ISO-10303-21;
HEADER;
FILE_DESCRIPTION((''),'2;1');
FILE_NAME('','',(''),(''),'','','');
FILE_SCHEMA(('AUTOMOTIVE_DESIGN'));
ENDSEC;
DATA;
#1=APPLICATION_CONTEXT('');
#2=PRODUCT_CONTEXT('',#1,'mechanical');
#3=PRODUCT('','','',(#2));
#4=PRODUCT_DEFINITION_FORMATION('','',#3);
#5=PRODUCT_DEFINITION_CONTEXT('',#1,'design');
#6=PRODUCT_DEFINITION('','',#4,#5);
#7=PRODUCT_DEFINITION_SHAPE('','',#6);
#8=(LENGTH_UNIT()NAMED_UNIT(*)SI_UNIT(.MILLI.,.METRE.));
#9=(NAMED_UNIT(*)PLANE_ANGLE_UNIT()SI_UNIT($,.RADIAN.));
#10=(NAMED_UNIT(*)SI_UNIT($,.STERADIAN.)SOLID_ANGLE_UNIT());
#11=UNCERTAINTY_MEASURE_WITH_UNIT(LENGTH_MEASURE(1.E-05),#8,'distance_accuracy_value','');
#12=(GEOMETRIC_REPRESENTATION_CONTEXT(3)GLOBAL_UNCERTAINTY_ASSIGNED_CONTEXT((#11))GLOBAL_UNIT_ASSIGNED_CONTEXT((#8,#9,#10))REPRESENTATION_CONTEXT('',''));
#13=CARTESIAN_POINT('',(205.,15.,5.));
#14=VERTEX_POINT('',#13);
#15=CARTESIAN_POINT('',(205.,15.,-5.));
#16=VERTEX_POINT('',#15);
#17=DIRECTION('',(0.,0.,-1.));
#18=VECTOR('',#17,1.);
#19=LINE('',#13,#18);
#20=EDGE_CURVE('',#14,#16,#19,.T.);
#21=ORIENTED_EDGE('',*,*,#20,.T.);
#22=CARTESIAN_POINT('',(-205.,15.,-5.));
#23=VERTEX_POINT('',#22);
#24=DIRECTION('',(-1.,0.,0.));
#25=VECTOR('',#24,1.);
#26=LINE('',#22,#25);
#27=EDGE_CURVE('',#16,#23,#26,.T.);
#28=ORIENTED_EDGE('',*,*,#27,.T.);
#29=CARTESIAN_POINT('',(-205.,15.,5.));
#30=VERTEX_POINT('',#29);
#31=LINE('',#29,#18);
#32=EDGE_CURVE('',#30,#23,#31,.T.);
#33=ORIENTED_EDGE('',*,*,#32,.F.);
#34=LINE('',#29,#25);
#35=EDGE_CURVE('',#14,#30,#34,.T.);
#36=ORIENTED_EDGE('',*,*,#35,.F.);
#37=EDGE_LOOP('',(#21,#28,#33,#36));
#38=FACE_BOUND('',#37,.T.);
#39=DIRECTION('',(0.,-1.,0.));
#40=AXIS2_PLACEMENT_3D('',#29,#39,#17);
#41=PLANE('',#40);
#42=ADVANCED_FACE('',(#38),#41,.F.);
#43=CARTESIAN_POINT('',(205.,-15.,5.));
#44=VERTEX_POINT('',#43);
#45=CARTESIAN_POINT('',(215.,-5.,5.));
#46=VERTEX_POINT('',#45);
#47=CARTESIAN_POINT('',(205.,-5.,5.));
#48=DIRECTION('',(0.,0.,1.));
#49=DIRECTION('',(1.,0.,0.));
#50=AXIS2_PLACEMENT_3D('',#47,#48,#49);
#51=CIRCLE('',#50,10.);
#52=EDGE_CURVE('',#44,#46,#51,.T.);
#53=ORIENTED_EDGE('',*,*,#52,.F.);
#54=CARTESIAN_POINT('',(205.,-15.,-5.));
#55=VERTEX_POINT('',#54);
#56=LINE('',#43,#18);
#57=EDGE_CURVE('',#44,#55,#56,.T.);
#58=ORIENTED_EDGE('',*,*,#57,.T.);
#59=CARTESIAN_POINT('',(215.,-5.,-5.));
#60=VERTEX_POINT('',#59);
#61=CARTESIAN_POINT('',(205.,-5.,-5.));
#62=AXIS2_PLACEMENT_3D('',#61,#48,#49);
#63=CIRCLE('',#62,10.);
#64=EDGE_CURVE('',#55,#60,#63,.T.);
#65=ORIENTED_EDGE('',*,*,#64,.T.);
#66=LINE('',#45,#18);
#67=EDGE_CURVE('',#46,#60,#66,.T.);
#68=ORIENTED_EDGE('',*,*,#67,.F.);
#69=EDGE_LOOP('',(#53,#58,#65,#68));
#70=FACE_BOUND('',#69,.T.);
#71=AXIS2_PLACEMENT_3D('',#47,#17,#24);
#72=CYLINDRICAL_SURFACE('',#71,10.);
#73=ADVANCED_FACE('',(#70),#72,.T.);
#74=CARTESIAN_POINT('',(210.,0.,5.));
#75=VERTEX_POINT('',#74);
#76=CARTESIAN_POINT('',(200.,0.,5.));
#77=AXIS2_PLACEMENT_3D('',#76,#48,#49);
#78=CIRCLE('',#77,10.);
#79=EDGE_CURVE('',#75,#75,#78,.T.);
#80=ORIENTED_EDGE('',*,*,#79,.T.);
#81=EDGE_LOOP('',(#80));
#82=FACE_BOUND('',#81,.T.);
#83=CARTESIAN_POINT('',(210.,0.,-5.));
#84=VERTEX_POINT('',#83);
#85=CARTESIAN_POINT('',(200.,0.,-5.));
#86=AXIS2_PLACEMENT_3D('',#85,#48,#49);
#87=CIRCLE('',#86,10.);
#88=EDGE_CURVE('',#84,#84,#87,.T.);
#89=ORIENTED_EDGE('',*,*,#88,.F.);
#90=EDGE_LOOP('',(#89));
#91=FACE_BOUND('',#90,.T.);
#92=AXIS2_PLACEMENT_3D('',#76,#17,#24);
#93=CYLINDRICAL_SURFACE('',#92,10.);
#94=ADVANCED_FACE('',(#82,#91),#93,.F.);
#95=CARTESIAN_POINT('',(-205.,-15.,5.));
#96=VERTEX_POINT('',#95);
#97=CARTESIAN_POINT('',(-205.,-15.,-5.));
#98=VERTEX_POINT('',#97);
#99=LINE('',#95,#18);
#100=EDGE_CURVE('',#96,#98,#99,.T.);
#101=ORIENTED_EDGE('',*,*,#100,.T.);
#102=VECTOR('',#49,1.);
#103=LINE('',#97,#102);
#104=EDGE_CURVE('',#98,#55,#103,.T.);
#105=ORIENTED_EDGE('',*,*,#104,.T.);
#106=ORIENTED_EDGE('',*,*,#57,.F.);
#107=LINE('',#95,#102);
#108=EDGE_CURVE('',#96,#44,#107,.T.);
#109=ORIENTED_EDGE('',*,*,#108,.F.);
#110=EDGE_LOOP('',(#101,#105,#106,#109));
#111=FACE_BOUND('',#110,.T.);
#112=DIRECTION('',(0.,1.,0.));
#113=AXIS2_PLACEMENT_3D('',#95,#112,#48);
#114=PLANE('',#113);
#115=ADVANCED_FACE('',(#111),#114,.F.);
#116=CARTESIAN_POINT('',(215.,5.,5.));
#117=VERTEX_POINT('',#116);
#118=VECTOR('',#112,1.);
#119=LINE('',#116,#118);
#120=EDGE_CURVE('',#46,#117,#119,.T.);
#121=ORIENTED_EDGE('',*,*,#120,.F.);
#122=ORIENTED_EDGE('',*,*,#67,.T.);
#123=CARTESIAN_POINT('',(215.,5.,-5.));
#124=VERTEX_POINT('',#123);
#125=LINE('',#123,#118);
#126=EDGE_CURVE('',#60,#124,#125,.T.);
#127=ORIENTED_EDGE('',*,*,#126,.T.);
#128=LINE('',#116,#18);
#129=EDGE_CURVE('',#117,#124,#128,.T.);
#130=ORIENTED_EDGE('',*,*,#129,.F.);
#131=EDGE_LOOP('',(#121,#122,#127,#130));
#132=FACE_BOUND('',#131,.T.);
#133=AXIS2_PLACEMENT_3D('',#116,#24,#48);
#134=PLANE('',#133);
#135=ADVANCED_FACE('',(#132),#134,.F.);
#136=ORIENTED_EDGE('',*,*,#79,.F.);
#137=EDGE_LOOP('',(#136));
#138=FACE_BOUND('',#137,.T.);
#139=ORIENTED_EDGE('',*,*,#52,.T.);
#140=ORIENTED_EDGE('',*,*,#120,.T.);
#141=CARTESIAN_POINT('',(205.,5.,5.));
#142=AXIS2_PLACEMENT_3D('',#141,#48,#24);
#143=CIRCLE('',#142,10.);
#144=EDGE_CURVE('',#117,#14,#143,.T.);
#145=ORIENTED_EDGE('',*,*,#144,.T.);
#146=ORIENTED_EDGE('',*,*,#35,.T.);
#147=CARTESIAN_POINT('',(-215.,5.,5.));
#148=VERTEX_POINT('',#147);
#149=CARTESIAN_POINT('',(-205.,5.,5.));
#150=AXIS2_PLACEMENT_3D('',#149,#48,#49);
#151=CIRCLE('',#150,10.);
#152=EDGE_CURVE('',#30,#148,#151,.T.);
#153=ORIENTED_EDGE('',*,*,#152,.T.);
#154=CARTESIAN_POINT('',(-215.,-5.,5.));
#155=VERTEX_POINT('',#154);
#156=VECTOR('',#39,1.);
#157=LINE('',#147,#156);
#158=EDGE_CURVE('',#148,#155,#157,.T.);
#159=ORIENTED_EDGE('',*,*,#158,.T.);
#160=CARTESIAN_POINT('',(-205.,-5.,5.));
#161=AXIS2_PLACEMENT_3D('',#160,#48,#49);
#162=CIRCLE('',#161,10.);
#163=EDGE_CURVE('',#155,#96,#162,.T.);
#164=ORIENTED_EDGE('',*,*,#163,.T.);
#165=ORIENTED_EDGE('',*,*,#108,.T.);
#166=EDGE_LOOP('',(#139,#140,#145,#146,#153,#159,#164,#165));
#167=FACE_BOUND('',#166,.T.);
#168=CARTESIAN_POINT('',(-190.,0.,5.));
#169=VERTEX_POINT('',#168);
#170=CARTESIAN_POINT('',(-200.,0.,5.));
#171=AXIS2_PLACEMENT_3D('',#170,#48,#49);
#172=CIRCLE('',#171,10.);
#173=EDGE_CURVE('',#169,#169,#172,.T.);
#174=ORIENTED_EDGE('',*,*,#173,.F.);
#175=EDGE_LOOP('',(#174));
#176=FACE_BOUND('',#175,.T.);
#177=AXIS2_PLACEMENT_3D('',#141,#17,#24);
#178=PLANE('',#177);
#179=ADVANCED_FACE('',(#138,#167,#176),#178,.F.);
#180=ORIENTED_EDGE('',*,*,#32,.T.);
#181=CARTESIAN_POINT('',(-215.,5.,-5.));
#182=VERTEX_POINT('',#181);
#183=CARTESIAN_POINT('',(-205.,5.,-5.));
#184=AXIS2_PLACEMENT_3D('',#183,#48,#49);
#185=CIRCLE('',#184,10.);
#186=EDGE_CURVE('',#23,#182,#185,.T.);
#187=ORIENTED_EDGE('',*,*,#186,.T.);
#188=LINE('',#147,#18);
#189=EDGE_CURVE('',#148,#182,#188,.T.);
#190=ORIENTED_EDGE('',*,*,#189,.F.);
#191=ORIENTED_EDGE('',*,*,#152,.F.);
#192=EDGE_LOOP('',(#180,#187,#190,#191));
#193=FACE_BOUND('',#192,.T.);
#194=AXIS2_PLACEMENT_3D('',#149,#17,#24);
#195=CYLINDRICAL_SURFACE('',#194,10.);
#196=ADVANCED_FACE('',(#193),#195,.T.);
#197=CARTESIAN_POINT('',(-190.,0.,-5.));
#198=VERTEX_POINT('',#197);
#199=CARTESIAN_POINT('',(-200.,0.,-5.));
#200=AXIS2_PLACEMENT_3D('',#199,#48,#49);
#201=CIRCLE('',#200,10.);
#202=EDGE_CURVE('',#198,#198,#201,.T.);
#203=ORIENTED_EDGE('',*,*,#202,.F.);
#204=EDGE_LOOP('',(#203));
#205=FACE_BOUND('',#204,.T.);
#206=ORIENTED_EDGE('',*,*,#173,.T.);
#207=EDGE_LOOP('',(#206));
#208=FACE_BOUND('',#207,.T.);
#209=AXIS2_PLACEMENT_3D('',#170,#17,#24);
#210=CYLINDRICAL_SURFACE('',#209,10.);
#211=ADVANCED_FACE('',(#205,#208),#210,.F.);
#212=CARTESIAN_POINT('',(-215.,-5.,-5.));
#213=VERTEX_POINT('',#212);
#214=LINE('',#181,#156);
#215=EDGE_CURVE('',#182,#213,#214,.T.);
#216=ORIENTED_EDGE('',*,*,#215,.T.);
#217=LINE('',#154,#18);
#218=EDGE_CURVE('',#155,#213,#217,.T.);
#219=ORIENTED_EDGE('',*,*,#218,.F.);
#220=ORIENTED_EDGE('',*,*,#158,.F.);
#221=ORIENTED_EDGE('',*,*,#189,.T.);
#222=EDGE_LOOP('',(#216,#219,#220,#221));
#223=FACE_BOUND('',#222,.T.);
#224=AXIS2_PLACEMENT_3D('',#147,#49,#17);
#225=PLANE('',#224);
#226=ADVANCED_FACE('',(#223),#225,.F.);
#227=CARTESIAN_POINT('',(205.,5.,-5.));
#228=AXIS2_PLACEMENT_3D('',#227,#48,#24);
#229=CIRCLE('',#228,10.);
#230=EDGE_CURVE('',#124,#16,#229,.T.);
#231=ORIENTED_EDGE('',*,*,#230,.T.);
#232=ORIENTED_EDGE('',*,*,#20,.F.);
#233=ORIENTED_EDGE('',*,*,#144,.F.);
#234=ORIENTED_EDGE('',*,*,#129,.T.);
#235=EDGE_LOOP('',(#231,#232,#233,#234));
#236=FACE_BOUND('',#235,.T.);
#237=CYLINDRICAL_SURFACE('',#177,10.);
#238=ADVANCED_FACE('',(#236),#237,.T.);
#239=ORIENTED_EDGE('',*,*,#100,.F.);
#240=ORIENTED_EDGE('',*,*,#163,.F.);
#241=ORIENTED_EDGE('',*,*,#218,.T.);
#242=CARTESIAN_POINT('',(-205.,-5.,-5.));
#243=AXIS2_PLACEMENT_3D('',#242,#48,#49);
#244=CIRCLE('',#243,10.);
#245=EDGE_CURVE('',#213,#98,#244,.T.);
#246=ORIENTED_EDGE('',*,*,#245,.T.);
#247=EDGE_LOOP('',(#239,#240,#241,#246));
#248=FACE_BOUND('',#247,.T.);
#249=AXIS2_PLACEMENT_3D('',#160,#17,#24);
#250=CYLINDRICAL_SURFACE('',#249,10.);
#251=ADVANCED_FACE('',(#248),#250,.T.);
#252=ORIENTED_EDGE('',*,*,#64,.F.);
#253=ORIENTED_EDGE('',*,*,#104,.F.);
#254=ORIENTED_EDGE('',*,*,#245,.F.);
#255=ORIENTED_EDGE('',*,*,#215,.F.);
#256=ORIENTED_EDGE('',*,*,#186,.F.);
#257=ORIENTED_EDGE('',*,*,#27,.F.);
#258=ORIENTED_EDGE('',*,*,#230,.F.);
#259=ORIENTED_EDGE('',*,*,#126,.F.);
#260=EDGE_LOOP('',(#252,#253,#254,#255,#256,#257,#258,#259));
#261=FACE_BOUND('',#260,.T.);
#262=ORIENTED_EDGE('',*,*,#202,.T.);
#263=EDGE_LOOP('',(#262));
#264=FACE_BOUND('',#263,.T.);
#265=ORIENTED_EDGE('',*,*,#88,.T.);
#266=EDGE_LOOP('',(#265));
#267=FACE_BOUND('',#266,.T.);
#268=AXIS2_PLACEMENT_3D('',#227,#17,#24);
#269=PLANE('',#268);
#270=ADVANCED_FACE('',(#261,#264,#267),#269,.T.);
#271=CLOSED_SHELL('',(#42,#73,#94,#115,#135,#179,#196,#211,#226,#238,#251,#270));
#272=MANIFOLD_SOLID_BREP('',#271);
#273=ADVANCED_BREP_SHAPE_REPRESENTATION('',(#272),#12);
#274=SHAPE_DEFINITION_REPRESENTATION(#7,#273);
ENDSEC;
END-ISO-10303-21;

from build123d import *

# Parameters (mm, degrees)
CROQUIS1_R              = 10
SALIENTE_EXTRUIR2_DEPTH = 5


with BuildPart() as part:
    # Croquis1 → Saliente-Extruir2 (new body, symmetric)
    with BuildSketch(Plane.XY):
        with BuildLine():
            Line((-205, 15), (205, 15))
            ThreePointArc((205, 15), (212.071067812, 12.071067812), (215, 5))
            Line((215, 5), (215, -5))
            ThreePointArc((215, -5), (212.071067812, -12.071067812), (205, -15))
            Line((205, -15), (-205, -15))
            ThreePointArc((-205, -15), (-212.071067812, -12.071067812), (-215, -5))
            Line((-215, -5), (-215, 5))
            ThreePointArc((-215, 5), (-212.071067812, 12.071067812), (-205, 15))
        make_face()
        with Locations((-200, 0)):
            Circle(CROQUIS1_R, mode=Mode.SUBTRACT)
        with Locations((200, 0)):
            Circle(CROQUIS1_R, mode=Mode.SUBTRACT)
    extrude(amount=SALIENTE_EXTRUIR2_DEPTH, both=True)


solid = part.part
